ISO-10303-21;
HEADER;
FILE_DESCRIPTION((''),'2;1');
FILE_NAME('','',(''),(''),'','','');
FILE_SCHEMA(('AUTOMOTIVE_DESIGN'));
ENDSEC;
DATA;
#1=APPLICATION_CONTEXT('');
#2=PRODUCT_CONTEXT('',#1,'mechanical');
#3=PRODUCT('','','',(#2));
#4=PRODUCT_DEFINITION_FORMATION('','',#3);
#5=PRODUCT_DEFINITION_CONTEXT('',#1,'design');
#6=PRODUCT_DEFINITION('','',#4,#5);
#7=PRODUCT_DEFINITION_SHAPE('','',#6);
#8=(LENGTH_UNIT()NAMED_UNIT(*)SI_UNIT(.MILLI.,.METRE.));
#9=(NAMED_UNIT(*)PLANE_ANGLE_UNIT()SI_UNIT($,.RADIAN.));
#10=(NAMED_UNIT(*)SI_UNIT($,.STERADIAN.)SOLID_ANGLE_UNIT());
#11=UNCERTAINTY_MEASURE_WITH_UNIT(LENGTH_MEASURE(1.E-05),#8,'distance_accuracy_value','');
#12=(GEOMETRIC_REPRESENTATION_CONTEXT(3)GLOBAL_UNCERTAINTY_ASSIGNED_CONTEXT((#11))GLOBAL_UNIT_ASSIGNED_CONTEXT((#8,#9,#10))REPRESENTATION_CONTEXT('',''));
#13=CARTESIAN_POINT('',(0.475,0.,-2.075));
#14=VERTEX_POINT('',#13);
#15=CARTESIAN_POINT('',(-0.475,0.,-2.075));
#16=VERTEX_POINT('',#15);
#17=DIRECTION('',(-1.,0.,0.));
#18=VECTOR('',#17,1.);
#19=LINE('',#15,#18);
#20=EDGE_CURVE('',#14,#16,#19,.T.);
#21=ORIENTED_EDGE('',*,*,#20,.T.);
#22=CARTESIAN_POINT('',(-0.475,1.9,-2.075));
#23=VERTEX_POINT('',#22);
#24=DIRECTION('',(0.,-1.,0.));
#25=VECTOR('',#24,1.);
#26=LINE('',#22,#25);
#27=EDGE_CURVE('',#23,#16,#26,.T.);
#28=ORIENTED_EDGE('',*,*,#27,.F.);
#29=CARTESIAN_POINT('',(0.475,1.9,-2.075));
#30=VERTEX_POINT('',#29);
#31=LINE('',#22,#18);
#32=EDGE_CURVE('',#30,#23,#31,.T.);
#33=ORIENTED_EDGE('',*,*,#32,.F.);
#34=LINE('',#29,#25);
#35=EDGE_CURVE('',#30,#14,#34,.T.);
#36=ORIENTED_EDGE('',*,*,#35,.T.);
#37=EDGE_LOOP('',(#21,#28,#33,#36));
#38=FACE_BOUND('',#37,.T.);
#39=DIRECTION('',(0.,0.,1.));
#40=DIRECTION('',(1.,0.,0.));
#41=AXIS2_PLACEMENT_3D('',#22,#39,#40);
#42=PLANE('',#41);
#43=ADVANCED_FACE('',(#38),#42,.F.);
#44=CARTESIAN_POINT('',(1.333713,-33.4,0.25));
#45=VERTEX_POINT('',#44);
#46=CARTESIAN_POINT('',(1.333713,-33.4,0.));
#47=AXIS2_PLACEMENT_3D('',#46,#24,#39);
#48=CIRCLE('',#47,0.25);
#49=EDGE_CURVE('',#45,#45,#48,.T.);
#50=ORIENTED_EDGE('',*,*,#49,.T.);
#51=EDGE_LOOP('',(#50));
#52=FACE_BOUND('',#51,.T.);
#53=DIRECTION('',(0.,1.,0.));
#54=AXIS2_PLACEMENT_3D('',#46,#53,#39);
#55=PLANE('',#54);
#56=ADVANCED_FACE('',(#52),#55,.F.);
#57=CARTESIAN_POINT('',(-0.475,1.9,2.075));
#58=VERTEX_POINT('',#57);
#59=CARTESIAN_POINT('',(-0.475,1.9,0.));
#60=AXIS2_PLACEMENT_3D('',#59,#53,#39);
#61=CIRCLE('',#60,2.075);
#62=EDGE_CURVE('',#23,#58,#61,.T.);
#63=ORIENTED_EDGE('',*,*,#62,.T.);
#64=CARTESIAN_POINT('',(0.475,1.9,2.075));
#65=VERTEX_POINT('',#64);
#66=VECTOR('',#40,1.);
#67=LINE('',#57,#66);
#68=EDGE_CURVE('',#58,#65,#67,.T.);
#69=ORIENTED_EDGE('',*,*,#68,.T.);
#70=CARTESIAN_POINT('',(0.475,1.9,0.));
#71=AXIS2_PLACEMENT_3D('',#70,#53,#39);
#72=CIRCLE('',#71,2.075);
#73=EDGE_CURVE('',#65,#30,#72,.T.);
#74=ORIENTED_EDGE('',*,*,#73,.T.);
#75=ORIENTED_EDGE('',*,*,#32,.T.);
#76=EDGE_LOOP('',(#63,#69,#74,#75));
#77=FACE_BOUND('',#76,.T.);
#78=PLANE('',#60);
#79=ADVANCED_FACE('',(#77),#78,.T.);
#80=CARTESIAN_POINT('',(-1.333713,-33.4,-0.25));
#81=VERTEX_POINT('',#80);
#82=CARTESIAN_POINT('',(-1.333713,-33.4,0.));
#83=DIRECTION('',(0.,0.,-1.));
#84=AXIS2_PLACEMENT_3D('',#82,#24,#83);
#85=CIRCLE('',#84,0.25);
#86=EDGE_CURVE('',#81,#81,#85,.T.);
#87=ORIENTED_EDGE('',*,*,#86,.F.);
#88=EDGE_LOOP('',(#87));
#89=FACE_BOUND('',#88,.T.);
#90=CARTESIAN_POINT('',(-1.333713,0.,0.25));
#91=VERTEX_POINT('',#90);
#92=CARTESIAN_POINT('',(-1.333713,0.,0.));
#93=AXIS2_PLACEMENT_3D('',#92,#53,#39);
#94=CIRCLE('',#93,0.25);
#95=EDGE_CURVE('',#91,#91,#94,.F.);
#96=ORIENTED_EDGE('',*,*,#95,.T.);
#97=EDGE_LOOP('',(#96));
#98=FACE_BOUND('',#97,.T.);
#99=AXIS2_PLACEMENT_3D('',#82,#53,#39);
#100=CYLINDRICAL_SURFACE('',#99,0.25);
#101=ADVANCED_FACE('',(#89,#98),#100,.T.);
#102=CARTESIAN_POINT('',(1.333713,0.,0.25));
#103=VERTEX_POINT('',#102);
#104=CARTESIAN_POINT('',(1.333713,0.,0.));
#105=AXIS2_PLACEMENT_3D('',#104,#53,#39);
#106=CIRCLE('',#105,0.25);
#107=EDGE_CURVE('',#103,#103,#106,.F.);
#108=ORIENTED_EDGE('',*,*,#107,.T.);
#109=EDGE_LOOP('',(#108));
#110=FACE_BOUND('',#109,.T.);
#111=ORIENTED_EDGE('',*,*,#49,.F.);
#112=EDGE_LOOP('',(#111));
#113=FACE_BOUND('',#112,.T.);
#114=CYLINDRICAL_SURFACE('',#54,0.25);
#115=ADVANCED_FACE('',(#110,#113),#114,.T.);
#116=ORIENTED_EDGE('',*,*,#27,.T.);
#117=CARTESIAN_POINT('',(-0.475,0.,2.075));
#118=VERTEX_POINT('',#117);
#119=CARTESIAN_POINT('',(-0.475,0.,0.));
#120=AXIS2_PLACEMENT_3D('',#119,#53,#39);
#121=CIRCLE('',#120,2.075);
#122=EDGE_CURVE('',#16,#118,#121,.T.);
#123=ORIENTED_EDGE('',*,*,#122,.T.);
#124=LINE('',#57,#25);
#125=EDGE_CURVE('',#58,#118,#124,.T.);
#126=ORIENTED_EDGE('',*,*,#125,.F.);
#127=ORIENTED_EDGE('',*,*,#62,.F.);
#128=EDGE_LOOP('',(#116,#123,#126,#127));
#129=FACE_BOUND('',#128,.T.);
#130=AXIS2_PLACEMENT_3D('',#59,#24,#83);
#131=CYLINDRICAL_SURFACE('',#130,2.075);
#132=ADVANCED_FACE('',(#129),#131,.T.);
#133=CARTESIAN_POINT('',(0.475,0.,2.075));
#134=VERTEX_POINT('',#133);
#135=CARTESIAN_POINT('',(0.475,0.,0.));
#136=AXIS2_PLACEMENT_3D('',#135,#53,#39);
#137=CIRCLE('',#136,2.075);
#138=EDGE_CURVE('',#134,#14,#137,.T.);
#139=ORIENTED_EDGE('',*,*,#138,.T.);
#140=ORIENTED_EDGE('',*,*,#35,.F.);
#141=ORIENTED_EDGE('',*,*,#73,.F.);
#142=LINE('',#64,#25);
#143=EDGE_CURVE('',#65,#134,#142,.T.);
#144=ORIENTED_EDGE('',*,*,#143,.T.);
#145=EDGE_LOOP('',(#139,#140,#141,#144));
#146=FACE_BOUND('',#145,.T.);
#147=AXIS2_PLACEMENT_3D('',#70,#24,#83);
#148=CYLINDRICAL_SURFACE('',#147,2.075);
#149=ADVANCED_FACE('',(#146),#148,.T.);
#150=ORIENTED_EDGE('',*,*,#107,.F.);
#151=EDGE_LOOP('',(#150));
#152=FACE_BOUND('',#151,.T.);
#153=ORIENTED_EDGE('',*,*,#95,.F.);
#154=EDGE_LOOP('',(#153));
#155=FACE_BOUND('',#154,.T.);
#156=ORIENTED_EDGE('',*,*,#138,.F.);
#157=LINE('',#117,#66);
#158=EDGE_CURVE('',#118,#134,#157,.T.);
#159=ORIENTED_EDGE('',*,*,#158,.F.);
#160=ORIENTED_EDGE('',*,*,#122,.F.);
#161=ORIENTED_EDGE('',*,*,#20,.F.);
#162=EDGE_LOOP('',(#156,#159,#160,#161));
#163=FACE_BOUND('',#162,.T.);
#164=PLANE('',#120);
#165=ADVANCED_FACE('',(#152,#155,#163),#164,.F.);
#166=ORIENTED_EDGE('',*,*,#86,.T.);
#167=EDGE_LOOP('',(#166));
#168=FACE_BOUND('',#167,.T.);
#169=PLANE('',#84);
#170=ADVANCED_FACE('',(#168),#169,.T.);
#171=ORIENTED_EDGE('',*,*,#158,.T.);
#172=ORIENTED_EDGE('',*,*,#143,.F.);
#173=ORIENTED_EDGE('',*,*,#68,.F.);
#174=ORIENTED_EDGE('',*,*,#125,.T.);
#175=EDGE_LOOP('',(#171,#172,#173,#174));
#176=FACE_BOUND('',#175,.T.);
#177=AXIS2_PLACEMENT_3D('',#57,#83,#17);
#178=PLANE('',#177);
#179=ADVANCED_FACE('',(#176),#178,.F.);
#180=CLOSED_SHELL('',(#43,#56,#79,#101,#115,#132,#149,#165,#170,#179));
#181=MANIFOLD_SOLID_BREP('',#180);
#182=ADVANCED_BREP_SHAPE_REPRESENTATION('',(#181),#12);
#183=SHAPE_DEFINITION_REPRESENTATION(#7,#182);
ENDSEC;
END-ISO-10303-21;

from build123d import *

# Parameters (mm, degrees)
SALIENTE_EXTRUIR1_DEPTH = 1.9
CROQUIS3_R              = 0.25
SALIENTE_EXTRUIR2_DEPTH = 33.4


with BuildPart() as part:
    # Croquis1 → Saliente-Extruir1 (new body)
    with BuildSketch(Plane(origin=(0, 0, 0), x_dir=(1, 0, 0), z_dir=(0, 1, 0))):
        with BuildLine():
            Line((-0.475, 2.075), (0.475, 2.075))
            ThreePointArc((0.475, 2.075), (2.55, 0), (0.475, -2.075))
            Line((0.475, -2.075), (-0.475, -2.075))
            ThreePointArc((-0.475, -2.075), (-2.55, 0), (-0.475, 2.075))
        make_face()
    extrude(amount=SALIENTE_EXTRUIR1_DEPTH)

    # Croquis3 → Saliente-Extruir2 (add)
    with BuildSketch(Plane.XZ):
        with Locations(Location((-1.333712644, 0, 0), (0, 0, 90))):
            Circle(CROQUIS3_R)
        with Locations(Location((1.333712644, 0, 0), (0, 0, 90))):
            Circle(CROQUIS3_R)
    extrude(amount=SALIENTE_EXTRUIR2_DEPTH)


solid = part.part
